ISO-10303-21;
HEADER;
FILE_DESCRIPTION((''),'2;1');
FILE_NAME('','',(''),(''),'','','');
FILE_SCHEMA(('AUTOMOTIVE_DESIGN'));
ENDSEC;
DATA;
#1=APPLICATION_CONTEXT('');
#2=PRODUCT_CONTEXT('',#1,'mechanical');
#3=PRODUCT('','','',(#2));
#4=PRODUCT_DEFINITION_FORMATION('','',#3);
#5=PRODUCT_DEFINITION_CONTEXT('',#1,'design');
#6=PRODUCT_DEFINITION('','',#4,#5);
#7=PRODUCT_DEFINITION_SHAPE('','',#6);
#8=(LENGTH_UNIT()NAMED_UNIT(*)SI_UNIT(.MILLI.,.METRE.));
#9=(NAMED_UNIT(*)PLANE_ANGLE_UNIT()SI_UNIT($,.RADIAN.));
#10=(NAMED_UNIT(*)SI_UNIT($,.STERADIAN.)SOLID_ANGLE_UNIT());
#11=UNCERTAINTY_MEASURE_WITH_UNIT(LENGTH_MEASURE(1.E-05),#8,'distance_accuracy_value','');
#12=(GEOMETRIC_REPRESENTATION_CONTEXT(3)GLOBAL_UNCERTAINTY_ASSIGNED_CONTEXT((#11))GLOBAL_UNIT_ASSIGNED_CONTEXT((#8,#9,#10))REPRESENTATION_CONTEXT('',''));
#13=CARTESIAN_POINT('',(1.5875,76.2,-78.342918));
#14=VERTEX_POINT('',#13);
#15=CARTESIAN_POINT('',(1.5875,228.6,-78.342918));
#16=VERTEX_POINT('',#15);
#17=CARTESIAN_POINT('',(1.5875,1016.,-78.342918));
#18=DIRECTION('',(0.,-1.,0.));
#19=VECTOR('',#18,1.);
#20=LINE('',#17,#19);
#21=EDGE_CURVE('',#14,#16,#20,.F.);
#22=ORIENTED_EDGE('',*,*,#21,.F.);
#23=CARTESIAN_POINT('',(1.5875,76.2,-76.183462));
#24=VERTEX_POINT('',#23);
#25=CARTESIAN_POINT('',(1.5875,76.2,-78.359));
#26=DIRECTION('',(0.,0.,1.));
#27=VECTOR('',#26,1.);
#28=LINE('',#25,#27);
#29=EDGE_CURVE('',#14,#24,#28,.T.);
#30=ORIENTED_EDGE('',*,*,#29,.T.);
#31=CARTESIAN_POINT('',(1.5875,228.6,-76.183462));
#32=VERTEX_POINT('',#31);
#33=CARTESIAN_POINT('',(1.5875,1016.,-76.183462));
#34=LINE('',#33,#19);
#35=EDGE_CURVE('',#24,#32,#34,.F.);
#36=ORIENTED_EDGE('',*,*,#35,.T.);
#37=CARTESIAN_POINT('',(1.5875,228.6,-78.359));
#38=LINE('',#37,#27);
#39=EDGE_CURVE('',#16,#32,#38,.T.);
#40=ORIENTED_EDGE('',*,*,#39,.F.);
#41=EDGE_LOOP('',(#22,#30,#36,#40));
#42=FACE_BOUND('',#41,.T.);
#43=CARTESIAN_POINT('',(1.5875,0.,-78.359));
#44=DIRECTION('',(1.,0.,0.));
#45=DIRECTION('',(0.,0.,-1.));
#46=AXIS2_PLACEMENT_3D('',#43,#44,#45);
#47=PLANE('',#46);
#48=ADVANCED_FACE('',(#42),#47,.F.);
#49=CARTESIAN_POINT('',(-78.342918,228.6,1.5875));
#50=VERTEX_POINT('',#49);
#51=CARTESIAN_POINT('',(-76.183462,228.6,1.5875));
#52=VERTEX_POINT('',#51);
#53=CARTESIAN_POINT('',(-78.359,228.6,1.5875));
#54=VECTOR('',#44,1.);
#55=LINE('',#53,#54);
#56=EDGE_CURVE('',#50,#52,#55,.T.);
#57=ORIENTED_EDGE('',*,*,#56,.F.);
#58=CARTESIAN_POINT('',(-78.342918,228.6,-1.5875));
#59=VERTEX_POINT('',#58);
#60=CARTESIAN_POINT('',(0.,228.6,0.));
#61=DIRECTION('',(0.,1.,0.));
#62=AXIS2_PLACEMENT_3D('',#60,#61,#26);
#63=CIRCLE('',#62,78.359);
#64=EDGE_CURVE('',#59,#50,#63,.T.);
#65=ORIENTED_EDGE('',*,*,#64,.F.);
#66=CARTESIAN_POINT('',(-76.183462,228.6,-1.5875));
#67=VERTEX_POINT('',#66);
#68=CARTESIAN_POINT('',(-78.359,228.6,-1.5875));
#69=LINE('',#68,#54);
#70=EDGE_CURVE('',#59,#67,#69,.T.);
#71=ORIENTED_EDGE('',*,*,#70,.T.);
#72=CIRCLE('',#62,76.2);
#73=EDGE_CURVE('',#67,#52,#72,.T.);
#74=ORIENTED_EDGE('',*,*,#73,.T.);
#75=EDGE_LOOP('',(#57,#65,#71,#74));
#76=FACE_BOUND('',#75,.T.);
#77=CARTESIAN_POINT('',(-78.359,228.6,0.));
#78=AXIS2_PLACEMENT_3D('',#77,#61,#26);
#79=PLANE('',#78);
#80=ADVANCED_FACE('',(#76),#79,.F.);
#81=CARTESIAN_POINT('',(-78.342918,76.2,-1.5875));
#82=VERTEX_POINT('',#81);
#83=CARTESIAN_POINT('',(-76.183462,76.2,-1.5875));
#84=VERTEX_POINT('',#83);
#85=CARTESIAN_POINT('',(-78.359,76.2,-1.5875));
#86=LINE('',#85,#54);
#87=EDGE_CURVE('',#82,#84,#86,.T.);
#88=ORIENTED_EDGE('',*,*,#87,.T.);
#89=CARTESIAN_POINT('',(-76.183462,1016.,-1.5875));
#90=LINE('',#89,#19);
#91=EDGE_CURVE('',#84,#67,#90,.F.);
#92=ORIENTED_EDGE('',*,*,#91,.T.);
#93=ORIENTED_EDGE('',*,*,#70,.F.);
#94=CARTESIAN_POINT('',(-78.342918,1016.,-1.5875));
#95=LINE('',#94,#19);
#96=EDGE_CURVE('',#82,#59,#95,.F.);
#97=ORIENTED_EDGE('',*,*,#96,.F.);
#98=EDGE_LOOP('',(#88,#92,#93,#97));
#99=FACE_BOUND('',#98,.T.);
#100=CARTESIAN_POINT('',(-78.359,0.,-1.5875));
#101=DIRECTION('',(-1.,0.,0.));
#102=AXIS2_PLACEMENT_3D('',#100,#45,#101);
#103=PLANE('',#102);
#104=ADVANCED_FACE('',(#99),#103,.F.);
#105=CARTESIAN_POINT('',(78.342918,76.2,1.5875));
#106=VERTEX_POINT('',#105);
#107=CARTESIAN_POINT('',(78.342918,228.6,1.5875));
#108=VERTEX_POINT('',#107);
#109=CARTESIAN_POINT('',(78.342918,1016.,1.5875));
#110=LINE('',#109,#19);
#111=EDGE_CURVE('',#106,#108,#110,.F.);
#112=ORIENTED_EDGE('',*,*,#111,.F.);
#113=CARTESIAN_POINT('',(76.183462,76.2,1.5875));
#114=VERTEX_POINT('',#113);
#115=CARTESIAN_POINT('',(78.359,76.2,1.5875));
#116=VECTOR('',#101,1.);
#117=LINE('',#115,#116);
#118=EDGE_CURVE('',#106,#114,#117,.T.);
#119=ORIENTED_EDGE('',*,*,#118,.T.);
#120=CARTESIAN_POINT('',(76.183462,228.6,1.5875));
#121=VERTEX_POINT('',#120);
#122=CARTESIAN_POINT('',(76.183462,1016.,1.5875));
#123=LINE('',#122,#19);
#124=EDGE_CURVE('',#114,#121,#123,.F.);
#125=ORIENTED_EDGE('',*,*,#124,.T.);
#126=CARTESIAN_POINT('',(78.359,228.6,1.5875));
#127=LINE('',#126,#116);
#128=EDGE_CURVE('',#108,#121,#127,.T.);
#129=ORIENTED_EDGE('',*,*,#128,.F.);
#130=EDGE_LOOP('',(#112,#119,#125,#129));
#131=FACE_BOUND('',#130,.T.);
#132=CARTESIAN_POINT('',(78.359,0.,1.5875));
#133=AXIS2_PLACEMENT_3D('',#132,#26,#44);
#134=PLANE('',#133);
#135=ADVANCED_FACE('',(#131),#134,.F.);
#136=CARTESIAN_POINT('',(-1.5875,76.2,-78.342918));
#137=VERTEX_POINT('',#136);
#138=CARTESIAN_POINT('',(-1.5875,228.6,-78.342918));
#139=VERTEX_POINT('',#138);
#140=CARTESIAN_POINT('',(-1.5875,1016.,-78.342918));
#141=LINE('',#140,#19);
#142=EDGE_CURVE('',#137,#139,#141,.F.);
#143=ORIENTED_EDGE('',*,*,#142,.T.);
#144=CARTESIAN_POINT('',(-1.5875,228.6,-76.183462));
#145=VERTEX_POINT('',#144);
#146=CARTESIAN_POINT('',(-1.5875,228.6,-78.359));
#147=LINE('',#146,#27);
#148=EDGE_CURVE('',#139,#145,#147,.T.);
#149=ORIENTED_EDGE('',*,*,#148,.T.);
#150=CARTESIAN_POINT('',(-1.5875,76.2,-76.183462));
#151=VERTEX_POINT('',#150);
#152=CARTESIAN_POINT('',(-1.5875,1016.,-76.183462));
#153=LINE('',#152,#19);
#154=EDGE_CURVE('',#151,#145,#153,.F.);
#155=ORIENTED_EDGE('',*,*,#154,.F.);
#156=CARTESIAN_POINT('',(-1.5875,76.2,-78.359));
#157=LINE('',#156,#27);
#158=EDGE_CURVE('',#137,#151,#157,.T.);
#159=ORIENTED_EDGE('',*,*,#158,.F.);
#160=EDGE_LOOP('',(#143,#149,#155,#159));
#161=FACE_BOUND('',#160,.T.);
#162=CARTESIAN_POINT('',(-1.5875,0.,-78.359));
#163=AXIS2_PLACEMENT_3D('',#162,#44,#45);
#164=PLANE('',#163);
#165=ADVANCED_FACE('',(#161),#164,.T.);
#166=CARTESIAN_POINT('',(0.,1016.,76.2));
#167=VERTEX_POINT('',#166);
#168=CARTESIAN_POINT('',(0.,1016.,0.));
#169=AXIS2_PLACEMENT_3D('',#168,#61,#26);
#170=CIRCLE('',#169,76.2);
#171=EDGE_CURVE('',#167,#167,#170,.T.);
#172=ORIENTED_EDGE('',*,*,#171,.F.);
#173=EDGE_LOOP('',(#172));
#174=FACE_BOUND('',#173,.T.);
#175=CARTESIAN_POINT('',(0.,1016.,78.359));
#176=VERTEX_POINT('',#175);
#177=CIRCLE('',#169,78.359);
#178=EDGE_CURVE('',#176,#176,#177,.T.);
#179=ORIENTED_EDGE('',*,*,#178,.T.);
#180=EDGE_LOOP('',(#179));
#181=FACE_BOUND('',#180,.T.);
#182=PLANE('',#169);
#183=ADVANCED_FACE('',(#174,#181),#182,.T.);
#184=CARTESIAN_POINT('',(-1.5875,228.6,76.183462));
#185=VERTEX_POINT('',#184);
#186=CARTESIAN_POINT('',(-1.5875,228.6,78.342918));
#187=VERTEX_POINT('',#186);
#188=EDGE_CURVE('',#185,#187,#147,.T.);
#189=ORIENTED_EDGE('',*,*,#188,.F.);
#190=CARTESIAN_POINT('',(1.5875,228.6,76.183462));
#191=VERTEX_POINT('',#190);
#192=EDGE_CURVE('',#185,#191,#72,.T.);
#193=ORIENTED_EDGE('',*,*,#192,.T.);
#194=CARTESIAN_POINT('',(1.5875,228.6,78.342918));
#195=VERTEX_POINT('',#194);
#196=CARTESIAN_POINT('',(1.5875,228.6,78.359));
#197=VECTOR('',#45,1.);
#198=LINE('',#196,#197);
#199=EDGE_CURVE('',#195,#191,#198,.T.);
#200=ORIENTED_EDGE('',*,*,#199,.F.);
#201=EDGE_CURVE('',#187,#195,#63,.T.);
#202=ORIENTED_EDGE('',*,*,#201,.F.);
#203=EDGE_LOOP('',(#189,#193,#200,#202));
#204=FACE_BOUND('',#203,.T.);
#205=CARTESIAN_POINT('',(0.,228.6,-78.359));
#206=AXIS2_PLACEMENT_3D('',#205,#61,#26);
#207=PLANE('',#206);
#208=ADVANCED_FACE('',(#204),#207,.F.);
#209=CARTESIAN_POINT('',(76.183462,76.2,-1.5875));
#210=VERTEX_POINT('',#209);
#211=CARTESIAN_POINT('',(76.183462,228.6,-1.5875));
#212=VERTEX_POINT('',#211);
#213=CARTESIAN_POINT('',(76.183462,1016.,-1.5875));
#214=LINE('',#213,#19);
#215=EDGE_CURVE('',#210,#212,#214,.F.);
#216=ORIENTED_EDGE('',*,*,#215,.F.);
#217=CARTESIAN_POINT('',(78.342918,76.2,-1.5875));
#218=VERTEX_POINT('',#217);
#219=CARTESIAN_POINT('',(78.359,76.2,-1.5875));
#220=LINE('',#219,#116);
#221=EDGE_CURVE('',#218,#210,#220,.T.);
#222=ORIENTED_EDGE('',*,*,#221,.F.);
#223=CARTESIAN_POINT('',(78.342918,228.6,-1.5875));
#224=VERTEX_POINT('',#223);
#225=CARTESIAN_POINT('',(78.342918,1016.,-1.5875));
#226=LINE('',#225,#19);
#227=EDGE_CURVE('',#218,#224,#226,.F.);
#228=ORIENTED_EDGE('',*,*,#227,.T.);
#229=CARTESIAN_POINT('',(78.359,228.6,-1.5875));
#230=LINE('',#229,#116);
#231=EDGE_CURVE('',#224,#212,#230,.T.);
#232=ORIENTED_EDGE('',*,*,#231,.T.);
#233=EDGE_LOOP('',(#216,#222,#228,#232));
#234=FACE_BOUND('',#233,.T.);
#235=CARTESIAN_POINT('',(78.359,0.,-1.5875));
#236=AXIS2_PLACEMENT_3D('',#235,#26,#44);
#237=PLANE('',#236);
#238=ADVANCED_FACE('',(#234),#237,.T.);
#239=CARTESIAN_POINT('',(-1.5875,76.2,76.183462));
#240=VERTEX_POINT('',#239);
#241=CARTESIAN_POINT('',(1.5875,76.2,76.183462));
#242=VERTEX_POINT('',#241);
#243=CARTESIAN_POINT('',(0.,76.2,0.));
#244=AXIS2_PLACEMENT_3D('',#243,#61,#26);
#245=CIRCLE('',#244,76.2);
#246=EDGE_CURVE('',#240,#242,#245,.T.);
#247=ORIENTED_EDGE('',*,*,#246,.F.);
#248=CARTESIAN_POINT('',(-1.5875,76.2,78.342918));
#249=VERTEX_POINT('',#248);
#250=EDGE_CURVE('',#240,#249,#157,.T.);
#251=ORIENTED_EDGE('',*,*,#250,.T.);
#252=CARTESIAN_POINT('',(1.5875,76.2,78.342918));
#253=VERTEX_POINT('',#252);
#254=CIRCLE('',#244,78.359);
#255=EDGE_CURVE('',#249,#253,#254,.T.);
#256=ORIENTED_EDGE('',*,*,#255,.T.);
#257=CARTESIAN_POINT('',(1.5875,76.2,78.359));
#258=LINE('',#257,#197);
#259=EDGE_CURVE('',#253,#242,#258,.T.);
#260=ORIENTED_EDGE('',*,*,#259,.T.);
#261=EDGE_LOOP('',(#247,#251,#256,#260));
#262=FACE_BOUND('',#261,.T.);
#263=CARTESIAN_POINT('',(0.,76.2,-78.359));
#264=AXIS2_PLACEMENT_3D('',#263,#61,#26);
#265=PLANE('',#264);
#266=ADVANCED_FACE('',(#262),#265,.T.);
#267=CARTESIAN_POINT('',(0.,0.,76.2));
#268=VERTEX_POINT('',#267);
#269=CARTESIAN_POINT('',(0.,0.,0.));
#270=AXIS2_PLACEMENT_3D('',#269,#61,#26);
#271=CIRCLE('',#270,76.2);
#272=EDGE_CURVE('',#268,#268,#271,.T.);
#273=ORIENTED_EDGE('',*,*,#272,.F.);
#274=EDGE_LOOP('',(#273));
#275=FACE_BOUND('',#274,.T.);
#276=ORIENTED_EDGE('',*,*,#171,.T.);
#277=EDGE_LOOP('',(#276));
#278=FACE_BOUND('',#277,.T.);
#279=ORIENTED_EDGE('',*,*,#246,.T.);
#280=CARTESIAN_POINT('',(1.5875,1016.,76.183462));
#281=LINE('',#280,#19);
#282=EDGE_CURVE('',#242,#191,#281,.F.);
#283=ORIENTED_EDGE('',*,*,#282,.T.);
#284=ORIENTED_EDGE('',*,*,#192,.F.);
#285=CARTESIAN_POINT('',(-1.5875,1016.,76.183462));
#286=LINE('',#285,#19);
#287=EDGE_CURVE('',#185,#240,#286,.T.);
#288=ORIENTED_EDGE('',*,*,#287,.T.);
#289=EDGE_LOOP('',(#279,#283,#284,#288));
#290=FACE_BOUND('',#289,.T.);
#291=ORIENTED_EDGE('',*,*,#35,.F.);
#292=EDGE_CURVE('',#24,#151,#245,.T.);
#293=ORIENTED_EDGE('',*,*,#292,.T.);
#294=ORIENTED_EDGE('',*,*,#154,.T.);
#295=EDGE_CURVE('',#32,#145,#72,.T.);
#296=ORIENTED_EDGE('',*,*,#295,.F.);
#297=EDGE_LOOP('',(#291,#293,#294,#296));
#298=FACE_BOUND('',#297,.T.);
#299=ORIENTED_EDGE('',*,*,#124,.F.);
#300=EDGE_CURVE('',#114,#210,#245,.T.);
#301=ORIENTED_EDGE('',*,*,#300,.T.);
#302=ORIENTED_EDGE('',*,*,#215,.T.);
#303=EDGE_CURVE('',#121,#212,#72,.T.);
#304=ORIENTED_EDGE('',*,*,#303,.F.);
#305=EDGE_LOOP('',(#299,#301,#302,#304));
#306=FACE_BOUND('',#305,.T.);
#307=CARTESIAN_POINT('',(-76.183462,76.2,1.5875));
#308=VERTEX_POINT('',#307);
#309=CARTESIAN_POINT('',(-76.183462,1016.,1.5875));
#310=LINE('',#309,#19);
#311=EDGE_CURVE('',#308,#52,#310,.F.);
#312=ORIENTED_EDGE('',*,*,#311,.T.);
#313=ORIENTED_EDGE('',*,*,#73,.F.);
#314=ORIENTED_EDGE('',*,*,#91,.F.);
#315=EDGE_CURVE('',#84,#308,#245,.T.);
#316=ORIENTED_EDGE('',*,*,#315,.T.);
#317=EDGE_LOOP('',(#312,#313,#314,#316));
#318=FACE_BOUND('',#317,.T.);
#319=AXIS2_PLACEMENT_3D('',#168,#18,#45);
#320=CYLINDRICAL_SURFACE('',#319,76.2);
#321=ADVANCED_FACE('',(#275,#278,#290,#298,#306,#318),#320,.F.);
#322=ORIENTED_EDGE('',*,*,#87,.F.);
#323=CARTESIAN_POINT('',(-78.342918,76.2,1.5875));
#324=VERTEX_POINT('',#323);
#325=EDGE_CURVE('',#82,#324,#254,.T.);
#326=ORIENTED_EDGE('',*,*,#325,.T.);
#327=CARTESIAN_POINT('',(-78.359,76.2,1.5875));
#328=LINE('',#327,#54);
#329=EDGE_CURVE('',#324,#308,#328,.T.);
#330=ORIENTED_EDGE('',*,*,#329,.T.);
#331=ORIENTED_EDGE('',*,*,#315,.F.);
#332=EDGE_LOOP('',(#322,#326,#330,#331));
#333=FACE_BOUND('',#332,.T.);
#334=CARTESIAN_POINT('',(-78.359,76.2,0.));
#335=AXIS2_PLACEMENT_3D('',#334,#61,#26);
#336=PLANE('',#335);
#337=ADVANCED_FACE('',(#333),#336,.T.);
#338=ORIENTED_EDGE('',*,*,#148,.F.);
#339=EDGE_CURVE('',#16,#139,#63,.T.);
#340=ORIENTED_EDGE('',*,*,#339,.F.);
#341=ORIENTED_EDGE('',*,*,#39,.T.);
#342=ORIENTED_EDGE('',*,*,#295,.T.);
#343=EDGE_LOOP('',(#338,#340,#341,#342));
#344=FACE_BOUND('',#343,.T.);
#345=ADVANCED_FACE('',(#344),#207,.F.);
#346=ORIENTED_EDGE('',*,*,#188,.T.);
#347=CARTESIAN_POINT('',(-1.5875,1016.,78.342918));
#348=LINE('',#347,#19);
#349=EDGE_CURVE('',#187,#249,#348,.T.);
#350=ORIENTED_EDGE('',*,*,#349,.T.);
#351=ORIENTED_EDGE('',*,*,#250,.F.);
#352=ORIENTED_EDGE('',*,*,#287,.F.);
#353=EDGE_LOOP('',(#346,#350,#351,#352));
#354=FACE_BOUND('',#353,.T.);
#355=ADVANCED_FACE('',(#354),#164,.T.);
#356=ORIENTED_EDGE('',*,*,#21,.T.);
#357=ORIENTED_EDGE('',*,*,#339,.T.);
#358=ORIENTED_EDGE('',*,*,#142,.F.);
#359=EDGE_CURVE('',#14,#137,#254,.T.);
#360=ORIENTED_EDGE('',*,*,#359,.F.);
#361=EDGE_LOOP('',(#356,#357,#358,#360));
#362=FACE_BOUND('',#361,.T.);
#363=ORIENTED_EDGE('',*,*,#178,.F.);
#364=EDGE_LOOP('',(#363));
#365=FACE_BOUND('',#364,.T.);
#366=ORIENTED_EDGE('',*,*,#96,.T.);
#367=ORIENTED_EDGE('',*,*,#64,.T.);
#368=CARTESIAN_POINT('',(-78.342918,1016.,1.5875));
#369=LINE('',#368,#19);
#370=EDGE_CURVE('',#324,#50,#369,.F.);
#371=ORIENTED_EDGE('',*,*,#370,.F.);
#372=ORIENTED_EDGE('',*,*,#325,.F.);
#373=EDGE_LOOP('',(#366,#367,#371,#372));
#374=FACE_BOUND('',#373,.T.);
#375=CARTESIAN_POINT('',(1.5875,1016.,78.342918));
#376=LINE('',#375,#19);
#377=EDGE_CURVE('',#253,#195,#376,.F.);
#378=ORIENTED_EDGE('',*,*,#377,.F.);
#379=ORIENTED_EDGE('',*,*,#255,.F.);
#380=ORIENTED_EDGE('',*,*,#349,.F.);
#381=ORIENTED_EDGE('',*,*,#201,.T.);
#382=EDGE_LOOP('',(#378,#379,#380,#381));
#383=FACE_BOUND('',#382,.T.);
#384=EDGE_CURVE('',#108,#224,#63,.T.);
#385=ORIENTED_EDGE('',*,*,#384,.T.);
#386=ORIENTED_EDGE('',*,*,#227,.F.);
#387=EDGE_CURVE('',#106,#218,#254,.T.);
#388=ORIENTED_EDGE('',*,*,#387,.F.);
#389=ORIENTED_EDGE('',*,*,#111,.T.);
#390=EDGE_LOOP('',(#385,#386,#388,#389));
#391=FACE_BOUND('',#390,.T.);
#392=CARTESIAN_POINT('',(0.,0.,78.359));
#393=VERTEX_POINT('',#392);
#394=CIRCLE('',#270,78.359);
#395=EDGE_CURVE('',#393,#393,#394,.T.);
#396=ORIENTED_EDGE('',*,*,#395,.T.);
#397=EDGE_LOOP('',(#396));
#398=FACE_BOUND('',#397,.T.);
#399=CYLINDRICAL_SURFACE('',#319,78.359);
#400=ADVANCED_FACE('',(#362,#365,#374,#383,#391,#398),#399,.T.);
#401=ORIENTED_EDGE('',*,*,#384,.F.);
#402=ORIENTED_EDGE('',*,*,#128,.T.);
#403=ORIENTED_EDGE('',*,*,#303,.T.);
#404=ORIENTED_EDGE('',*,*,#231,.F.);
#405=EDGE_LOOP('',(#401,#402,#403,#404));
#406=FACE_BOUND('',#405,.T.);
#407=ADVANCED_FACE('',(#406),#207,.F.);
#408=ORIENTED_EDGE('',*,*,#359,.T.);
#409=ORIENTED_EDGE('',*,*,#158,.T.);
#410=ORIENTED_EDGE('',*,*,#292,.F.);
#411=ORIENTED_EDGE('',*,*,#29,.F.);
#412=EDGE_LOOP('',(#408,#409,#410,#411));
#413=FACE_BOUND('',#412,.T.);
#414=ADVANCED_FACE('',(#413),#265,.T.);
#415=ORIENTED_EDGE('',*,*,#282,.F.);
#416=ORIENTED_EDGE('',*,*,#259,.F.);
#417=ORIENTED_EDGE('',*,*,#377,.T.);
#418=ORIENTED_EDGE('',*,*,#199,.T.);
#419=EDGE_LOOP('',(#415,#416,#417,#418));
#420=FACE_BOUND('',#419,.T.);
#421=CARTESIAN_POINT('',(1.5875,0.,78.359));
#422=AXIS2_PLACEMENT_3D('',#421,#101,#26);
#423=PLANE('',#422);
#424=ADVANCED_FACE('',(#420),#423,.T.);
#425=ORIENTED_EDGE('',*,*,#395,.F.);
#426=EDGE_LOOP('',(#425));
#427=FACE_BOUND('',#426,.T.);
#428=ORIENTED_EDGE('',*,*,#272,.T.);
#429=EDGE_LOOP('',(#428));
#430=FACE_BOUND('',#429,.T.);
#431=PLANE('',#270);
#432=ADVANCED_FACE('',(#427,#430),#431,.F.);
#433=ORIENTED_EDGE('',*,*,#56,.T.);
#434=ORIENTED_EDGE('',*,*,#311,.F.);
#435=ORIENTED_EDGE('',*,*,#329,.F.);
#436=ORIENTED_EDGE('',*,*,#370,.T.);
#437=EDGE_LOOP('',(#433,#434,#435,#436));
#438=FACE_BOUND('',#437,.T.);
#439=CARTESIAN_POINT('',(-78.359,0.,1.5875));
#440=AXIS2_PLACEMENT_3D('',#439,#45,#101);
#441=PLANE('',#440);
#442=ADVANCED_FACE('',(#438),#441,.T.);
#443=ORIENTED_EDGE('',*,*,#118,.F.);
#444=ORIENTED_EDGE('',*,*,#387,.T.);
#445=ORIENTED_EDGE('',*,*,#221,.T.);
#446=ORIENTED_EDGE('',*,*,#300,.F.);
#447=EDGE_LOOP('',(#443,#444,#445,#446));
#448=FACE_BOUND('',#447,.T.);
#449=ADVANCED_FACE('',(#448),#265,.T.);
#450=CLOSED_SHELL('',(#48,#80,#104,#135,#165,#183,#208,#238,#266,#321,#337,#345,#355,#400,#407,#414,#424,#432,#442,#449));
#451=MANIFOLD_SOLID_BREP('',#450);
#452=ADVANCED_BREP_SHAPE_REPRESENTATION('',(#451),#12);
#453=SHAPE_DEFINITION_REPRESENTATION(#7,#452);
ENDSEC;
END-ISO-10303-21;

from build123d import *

# Parameters (mm, degrees)
SKETCH1_R           = 78.359
SKETCH1_R_2         = 76.2
BOSS_EXTRUDE1_DEPTH = 1016
SKETCH2_W           = 3.175
SKETCH2_H           = 152.4
CUT_EXTRUDE1_DEPTH  = 1023.025570014
CIRPATTERN1_COUNT   = 4


with BuildPart() as part:
    # Sketch1 → Boss-Extrude1 (new body)
    with BuildSketch(Plane(origin=(0, 0, 0), x_dir=(1, 0, 0), z_dir=(0, 1, 0))):
        with Locations(Location((0, 0, 0), (0, 0, 270))):
            Circle(SKETCH1_R)
        with Locations(Location((0, 0, 0), (0, 0, 270))):
            Circle(SKETCH1_R_2, mode=Mode.SUBTRACT)
    extrude(amount=BOSS_EXTRUDE1_DEPTH)

    # Sketch2 → Cut-Extrude1 (cut, through all)
    with BuildSketch(Plane(origin=(0, 0, 0), x_dir=(0, 0, -1), z_dir=(1, 0, 0))):
        with Locations((0, 152.4)):
            Rectangle(SKETCH2_W, SKETCH2_H)
    cut_extrude1 = extrude(amount=-CUT_EXTRUDE1_DEPTH, mode=Mode.SUBTRACT)

    # CirPattern1: Cut-Extrude1 ×4 about axis
    cirpattern1_axis = Axis((0, 0, 0), (0, 1, 0))
    for i in range(1, CIRPATTERN1_COUNT):
        add(cut_extrude1.rotate(cirpattern1_axis, i * 360 / CIRPATTERN1_COUNT), mode=Mode.SUBTRACT)


solid = part.part
